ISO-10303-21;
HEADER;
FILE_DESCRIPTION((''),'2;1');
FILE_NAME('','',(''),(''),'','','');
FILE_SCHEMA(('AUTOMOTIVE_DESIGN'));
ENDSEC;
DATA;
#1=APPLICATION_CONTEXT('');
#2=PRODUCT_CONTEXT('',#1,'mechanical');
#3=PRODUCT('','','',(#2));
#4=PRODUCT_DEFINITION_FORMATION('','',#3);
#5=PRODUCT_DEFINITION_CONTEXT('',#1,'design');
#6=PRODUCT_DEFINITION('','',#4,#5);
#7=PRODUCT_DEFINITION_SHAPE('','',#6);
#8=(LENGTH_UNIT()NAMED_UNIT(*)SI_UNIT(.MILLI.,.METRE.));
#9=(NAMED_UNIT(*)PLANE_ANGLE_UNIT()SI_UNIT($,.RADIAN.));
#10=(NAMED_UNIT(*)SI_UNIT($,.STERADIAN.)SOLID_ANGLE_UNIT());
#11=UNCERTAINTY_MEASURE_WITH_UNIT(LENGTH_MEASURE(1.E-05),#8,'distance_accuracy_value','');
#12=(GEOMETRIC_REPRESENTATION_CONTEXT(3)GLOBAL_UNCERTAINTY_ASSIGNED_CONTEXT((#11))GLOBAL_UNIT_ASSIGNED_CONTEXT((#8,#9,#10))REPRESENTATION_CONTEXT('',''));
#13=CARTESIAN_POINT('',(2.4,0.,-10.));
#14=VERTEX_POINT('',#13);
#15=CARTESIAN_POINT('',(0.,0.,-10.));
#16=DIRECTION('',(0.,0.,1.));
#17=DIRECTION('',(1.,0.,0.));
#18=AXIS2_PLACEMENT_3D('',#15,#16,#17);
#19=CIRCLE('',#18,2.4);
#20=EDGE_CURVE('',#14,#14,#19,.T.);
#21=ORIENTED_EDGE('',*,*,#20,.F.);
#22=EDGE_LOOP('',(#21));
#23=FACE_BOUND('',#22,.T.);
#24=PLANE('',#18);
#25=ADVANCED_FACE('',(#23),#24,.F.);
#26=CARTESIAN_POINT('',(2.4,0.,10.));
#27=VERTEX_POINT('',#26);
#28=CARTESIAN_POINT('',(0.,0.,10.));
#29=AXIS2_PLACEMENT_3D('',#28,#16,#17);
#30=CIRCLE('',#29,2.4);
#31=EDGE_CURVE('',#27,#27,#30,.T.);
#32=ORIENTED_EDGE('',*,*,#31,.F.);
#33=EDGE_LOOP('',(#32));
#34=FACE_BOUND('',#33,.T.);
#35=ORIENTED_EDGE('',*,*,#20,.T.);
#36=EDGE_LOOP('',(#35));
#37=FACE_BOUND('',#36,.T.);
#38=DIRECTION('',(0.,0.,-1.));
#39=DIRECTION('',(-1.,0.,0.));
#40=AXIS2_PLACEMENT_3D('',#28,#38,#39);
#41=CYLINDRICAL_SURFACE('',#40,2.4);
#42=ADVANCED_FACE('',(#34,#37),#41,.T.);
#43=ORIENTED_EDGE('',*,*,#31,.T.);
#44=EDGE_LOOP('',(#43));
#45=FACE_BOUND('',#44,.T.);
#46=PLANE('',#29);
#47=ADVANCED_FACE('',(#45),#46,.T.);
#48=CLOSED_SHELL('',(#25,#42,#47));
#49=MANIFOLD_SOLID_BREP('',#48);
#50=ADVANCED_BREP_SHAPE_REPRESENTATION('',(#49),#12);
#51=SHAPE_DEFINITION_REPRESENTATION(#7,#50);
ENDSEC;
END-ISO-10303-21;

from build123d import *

# Parameters (mm, degrees)
SKETCH1_R           = 2.5
BOSS_EXTRUDE1_DEPTH = 10
MOVE_FACE1_BY       = 0.1


with BuildPart() as part:
    # Sketch1 → Boss-Extrude1 (new, symmetric)
    with BuildSketch(Plane.XY):
        Circle(SKETCH1_R)
    extrude(amount=BOSS_EXTRUDE1_DEPTH, both=True)

    # Move Face1: a curved face moved inward by 0.1
    add(Solid.thicken(part.faces().sort_by_distance((-2.5, 0, 0))[0], -MOVE_FACE1_BY), mode=Mode.SUBTRACT)


solid = part.part
